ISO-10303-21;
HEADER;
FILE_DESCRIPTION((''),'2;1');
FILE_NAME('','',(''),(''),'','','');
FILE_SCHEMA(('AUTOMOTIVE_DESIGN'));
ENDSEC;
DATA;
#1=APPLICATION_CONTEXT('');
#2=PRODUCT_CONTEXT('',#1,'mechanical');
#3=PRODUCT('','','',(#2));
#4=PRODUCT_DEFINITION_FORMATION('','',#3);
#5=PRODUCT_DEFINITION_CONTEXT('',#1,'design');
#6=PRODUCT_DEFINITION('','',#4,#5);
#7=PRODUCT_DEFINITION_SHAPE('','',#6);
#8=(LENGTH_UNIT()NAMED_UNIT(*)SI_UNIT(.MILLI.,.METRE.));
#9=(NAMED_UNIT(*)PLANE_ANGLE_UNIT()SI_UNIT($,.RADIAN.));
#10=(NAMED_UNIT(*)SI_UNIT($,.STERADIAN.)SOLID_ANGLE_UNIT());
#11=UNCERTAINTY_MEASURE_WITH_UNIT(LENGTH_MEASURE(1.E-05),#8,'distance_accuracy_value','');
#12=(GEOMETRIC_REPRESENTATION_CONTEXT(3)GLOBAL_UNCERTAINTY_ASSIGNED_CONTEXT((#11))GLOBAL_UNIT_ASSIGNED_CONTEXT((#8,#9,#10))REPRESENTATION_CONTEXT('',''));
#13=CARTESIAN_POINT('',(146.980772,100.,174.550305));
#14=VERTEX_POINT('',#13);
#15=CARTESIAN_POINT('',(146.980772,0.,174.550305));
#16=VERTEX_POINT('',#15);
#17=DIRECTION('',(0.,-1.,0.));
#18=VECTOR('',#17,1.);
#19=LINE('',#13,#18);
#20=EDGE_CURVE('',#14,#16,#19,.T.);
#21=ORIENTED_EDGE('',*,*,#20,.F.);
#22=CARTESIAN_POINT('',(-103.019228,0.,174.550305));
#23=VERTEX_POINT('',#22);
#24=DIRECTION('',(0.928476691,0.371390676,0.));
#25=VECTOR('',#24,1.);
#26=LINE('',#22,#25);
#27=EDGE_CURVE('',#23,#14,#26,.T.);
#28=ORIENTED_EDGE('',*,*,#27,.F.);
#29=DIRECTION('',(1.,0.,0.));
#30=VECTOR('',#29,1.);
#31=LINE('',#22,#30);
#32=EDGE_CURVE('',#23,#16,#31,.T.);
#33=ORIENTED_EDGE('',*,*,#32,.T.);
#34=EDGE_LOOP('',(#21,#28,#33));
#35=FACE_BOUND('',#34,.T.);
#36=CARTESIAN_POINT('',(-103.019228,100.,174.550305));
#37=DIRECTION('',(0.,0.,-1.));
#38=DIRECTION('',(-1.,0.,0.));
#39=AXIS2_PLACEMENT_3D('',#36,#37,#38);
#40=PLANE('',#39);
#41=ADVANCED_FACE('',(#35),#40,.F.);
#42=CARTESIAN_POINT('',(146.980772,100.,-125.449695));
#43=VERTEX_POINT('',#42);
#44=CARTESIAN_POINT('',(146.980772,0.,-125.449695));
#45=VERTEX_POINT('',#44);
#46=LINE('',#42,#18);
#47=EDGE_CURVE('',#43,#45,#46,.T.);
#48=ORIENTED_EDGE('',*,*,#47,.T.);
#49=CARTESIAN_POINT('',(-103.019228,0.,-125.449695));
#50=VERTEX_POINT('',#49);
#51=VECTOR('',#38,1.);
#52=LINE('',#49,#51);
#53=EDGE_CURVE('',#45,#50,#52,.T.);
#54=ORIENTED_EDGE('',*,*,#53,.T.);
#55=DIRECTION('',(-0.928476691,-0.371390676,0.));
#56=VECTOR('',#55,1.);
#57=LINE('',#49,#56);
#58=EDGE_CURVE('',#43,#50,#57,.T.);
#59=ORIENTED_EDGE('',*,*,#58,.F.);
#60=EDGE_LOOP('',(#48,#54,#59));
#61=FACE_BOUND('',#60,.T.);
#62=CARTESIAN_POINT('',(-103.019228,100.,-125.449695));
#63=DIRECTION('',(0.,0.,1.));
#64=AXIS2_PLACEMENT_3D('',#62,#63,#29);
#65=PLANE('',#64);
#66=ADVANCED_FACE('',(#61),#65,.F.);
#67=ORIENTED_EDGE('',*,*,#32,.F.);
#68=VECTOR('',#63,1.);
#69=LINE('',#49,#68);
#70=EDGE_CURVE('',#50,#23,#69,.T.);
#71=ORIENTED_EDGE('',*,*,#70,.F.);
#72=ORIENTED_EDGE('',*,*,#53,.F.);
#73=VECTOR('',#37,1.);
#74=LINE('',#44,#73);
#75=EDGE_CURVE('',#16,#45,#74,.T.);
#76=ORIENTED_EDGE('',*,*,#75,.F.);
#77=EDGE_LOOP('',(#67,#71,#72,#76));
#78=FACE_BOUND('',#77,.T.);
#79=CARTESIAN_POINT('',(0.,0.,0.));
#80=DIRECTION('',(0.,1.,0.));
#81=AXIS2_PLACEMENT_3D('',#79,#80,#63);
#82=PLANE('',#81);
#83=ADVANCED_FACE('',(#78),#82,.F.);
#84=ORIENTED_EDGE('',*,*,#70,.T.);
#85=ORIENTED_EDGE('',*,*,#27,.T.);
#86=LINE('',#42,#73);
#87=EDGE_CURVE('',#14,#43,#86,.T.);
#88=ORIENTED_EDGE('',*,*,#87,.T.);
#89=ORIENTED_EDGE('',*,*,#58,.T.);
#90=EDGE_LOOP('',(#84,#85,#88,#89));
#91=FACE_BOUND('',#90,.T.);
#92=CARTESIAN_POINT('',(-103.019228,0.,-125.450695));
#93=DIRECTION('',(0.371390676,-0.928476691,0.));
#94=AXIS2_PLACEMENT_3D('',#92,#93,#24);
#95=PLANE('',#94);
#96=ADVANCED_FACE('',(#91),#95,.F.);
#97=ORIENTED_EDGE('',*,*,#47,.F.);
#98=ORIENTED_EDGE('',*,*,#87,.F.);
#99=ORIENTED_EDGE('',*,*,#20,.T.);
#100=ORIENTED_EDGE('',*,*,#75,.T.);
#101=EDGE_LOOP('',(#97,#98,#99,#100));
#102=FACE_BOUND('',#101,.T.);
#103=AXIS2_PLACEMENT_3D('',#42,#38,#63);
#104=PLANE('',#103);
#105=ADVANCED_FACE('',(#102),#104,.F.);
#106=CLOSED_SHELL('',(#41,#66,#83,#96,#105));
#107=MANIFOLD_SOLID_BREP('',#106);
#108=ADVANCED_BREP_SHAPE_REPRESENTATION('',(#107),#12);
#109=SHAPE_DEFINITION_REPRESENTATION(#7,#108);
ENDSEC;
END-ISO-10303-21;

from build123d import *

# Parameters (mm, degrees)
SKETCH_1_W          = 250
SKETCH_1_H          = 300
EXTRUDE_1_DEPTH     = 100
CUT_EXTRUDE_1_REACH = 350.717


with BuildPart() as part:
    # 草图1 → 凸台-拉伸1 (new body)
    with BuildSketch(Plane(origin=(0, 0, 0), x_dir=(1, 0, 0), z_dir=(0, 1, 0))):
        with Locations((21.980772074, -24.550304641)):
            Rectangle(SKETCH_1_W, SKETCH_1_H)
    extrude(amount=EXTRUDE_1_DEPTH)

    # 草图2 → 切除-拉伸1 (cut, up to next)
    with BuildSketch(Plane.XY.offset(174.550304641), mode=Mode.PRIVATE) as cut_extrude_1_sk1:
        Polygon((-103.019227926, 0), (146.980772074, 100), (-103.019227926, 100), align=None)
    cut_extrude_1_tool1 = extrude(cut_extrude_1_sk1.sketch, amount=-CUT_EXTRUDE_1_REACH, mode=Mode.PRIVATE) & part.part
    add(cut_extrude_1_tool1.solids().sort_by_distance((-19.685895, 66.666667, 174.550305))[0], mode=Mode.SUBTRACT)


solid = part.part
